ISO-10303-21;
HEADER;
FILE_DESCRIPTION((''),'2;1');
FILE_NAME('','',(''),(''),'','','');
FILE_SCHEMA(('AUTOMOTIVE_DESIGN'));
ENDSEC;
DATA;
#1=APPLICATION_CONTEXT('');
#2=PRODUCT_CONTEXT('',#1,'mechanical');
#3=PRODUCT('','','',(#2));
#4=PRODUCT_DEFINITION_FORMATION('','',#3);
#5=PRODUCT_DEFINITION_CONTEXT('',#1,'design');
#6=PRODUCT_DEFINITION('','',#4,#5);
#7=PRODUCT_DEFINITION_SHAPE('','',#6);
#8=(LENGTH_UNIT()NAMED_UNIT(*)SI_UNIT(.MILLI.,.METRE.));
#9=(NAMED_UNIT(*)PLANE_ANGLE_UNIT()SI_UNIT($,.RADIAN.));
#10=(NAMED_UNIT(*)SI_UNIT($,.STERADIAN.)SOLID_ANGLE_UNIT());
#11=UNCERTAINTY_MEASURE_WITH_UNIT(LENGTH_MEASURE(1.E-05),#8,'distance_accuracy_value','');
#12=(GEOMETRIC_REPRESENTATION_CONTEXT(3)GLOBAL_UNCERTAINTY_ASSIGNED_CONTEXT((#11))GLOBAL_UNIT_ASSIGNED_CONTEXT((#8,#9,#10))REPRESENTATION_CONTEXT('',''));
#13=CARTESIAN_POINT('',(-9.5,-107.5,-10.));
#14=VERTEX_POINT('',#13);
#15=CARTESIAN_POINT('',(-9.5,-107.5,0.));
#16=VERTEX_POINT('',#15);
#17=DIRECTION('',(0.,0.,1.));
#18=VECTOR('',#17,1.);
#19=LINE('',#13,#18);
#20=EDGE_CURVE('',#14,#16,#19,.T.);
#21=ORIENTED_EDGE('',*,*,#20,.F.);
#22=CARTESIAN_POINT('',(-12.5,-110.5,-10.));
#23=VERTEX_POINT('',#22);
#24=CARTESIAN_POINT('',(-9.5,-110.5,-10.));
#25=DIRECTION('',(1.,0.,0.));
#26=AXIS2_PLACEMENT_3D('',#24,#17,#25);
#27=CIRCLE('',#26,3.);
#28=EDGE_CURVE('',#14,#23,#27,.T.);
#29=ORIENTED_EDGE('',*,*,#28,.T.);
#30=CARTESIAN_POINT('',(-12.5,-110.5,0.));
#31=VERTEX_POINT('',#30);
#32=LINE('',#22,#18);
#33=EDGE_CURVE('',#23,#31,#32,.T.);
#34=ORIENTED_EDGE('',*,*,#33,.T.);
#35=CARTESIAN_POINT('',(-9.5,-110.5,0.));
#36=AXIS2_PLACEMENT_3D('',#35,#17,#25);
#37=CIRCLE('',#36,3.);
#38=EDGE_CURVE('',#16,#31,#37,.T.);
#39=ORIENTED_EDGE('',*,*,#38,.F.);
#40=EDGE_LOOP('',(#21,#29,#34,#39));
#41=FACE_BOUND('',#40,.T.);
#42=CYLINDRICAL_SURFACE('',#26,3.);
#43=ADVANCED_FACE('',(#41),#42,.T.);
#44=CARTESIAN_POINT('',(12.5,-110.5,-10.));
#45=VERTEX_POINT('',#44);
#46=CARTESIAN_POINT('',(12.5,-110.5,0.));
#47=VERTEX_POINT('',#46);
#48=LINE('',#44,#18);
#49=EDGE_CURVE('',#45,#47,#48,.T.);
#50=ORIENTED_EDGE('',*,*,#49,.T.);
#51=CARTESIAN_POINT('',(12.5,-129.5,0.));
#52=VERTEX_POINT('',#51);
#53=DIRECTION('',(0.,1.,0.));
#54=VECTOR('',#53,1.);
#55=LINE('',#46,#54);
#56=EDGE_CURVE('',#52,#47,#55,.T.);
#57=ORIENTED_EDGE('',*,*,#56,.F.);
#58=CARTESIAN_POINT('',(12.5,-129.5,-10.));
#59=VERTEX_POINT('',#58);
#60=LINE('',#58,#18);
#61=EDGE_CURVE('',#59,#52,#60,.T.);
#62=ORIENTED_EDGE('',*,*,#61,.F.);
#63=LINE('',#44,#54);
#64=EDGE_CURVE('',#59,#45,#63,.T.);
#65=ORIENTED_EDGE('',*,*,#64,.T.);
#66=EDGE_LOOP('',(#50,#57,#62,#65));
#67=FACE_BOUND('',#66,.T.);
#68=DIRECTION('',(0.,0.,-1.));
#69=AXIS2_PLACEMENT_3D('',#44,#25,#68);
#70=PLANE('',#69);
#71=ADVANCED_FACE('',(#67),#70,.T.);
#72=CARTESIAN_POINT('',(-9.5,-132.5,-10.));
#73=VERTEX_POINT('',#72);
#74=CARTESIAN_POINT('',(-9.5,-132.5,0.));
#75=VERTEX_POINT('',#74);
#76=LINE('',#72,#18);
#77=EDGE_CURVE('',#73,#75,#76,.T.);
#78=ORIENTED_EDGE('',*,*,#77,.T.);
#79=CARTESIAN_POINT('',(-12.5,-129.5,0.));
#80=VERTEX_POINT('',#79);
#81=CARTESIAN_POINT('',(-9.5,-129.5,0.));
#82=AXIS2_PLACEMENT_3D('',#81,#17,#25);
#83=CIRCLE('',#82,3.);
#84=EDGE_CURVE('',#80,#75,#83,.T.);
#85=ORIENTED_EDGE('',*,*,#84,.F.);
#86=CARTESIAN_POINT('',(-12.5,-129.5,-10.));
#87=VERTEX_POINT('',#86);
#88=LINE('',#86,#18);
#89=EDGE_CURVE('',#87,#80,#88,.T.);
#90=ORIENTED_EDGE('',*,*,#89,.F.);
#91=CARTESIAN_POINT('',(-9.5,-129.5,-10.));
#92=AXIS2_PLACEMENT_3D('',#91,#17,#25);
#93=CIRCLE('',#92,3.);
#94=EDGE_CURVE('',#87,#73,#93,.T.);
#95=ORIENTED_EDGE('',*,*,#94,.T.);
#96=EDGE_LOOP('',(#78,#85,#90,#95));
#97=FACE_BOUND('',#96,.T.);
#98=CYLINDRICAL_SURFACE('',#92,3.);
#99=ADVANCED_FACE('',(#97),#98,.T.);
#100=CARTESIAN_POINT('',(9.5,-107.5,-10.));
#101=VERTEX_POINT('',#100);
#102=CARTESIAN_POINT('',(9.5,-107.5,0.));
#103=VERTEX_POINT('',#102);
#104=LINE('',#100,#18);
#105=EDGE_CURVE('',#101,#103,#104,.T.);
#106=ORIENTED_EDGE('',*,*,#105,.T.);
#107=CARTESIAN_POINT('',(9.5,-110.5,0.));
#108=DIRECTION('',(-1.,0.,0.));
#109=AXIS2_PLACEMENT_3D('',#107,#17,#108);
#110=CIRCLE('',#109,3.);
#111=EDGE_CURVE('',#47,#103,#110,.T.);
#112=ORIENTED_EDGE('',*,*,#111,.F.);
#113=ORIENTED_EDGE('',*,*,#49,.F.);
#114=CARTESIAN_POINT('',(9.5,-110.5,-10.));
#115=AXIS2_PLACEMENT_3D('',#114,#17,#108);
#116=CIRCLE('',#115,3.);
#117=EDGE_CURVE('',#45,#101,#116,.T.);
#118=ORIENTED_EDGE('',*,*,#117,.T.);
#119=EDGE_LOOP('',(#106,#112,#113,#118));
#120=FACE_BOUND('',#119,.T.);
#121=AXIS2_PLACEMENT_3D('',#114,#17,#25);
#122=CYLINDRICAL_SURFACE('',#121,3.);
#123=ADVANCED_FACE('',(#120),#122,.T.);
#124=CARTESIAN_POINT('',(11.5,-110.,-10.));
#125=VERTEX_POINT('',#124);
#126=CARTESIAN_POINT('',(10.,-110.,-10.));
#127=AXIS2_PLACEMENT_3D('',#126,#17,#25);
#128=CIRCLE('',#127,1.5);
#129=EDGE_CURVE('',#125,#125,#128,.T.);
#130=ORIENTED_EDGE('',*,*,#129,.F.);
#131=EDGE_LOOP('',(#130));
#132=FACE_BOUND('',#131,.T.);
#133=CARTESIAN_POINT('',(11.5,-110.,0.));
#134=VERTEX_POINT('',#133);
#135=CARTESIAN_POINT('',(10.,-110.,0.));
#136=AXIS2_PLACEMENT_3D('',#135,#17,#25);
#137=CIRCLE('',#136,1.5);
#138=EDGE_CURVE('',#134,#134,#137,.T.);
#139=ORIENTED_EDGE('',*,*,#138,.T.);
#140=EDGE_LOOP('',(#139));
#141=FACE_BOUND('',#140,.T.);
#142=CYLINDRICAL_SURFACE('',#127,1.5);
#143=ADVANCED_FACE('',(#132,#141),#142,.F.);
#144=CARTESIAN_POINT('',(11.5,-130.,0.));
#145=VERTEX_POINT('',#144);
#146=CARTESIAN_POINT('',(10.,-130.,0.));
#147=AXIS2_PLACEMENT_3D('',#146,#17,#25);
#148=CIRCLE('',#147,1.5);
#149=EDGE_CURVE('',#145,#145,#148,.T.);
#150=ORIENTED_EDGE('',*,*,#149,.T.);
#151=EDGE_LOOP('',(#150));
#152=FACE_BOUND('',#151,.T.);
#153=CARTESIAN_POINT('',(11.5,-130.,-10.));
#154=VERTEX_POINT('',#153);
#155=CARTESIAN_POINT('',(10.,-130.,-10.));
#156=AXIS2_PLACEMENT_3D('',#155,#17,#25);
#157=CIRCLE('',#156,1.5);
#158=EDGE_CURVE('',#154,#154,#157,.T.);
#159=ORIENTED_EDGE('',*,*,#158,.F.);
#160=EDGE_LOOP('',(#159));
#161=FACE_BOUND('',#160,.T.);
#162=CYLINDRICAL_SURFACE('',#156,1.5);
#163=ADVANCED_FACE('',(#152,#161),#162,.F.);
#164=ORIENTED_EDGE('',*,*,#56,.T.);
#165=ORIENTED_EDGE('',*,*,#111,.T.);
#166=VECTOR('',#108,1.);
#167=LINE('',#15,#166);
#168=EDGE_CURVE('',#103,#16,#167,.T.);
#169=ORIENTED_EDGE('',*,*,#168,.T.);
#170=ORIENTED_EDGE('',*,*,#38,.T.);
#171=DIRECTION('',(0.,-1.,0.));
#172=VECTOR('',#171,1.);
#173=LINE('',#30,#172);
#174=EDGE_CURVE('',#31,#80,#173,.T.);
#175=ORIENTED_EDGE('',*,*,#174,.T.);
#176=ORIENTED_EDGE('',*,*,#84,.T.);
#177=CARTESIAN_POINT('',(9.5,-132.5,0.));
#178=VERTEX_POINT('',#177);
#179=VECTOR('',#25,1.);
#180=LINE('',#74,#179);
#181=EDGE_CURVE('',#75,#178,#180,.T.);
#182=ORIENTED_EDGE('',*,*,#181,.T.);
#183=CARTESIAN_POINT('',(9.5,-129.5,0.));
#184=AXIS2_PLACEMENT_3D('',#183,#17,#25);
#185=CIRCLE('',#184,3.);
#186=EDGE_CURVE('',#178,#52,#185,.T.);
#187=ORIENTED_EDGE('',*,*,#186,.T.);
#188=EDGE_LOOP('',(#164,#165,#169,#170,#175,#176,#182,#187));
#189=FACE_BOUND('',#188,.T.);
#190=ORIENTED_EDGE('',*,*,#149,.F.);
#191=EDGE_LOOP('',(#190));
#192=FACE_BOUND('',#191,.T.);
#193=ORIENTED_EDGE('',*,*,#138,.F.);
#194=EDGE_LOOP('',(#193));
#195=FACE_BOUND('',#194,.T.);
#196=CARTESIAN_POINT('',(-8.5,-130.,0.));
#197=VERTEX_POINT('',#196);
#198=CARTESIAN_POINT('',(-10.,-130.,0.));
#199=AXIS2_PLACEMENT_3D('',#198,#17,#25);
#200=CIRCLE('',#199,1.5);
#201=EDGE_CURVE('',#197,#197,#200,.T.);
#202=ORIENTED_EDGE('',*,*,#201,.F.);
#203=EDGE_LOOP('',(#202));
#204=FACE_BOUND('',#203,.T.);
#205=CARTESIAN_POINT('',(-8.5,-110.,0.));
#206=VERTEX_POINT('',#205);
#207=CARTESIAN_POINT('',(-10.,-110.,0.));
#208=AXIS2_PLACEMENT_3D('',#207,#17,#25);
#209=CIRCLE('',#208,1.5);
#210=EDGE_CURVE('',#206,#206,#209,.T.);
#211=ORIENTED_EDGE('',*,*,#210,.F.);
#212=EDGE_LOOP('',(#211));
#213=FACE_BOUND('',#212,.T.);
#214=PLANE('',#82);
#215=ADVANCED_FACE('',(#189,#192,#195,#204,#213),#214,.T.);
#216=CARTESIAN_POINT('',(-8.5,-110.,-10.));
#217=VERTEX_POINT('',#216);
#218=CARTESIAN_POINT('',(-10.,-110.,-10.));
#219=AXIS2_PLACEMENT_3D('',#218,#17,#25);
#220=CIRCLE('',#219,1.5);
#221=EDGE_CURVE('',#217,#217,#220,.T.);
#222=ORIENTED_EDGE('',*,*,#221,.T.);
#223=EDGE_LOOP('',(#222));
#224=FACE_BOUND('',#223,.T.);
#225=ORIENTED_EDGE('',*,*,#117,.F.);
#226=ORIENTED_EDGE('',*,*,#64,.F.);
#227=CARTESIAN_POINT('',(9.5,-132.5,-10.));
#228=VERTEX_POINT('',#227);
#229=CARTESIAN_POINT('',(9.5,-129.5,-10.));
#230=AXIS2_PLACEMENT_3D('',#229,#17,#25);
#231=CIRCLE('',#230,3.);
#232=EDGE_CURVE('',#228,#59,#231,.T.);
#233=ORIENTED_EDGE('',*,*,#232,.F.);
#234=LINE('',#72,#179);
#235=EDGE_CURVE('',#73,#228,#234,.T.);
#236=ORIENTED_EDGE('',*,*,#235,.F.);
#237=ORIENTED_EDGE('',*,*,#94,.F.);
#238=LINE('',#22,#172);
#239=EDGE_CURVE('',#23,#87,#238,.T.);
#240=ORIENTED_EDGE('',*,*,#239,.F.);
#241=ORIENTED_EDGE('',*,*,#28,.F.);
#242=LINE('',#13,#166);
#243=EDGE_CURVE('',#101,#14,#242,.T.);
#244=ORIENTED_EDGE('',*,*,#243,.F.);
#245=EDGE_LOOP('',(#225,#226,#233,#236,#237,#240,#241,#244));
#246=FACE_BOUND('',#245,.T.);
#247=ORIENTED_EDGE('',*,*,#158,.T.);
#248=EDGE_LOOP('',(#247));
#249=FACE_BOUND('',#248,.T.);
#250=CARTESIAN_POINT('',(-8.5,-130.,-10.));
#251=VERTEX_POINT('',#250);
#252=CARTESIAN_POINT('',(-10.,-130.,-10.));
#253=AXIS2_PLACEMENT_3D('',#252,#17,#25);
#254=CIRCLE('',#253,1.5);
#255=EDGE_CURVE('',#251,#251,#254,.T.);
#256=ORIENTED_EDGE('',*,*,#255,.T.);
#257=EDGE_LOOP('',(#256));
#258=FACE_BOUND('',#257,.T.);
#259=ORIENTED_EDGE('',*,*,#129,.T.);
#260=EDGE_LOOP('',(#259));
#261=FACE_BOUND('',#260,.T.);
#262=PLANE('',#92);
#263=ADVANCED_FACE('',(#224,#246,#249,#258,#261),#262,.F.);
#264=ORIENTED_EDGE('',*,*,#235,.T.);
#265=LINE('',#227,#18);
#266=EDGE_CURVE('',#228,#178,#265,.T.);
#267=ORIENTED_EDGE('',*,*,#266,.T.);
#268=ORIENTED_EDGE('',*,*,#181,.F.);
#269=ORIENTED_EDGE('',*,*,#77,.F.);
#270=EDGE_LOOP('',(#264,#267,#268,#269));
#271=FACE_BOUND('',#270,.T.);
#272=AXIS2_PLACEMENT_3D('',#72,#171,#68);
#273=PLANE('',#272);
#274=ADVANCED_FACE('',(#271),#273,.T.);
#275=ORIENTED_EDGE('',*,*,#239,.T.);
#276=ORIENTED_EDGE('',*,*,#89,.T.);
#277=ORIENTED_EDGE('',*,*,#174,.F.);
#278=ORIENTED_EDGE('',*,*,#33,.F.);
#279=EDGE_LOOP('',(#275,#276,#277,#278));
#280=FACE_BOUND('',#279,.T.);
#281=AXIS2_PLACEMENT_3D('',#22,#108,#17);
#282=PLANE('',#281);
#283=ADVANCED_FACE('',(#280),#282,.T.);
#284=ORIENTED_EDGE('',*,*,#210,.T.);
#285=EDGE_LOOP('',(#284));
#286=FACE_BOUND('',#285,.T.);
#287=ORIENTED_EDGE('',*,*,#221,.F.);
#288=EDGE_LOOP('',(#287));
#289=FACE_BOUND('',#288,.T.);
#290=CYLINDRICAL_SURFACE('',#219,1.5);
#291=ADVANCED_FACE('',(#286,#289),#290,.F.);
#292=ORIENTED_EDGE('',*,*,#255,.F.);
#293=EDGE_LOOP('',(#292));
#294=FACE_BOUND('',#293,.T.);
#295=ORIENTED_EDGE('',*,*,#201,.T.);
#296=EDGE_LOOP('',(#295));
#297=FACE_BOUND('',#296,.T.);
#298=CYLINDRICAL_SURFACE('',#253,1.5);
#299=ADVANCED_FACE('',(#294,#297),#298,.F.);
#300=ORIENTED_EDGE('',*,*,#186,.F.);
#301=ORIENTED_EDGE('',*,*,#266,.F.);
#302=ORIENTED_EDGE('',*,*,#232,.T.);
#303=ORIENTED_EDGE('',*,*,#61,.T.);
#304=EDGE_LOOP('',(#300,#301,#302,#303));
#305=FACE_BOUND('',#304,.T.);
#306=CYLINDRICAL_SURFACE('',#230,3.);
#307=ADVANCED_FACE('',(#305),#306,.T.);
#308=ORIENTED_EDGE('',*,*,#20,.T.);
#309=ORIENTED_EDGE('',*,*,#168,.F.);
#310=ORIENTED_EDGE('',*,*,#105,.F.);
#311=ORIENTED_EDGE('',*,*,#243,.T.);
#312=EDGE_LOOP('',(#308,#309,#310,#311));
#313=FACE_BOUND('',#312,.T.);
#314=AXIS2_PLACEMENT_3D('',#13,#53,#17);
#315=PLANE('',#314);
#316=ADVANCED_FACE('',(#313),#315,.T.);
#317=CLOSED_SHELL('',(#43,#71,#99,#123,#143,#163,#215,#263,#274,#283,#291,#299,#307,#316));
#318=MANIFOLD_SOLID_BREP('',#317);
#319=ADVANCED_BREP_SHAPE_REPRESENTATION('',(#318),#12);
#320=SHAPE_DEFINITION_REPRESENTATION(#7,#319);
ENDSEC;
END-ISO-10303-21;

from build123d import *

# Parameters (mm, degrees)
SKETCH1_R           = 1.5
BOSS_EXTRUDE1_DEPTH = 10


with BuildPart() as part:
    # Sketch1 → Boss-Extrude1 (new body)
    with BuildSketch(Plane.XY):
        with BuildLine():
            Line((-9.5, -107.5), (9.5, -107.5))
            ThreePointArc((9.5, -107.5), (11.621320344, -108.378679656), (12.5, -110.5))
            Line((12.5, -110.5), (12.5, -129.5))
            ThreePointArc((12.5, -129.5), (11.621320344, -131.621320344), (9.5, -132.5))
            Line((9.5, -132.5), (-9.5, -132.5))
            ThreePointArc((-9.5, -132.5), (-11.621320344, -131.621320344), (-12.5, -129.5))
            Line((-12.5, -129.5), (-12.5, -110.5))
            ThreePointArc((-12.5, -110.5), (-11.621320344, -108.378679656), (-9.5, -107.5))
        make_face()
        with Locations((10, -130)):
            Circle(SKETCH1_R, mode=Mode.SUBTRACT)
        with Locations((10, -110)):
            Circle(SKETCH1_R, mode=Mode.SUBTRACT)
        with Locations((-10, -110)):
            Circle(SKETCH1_R, mode=Mode.SUBTRACT)
        with Locations((-10, -130)):
            Circle(SKETCH1_R, mode=Mode.SUBTRACT)
    extrude(amount=-BOSS_EXTRUDE1_DEPTH)


solid = part.part
